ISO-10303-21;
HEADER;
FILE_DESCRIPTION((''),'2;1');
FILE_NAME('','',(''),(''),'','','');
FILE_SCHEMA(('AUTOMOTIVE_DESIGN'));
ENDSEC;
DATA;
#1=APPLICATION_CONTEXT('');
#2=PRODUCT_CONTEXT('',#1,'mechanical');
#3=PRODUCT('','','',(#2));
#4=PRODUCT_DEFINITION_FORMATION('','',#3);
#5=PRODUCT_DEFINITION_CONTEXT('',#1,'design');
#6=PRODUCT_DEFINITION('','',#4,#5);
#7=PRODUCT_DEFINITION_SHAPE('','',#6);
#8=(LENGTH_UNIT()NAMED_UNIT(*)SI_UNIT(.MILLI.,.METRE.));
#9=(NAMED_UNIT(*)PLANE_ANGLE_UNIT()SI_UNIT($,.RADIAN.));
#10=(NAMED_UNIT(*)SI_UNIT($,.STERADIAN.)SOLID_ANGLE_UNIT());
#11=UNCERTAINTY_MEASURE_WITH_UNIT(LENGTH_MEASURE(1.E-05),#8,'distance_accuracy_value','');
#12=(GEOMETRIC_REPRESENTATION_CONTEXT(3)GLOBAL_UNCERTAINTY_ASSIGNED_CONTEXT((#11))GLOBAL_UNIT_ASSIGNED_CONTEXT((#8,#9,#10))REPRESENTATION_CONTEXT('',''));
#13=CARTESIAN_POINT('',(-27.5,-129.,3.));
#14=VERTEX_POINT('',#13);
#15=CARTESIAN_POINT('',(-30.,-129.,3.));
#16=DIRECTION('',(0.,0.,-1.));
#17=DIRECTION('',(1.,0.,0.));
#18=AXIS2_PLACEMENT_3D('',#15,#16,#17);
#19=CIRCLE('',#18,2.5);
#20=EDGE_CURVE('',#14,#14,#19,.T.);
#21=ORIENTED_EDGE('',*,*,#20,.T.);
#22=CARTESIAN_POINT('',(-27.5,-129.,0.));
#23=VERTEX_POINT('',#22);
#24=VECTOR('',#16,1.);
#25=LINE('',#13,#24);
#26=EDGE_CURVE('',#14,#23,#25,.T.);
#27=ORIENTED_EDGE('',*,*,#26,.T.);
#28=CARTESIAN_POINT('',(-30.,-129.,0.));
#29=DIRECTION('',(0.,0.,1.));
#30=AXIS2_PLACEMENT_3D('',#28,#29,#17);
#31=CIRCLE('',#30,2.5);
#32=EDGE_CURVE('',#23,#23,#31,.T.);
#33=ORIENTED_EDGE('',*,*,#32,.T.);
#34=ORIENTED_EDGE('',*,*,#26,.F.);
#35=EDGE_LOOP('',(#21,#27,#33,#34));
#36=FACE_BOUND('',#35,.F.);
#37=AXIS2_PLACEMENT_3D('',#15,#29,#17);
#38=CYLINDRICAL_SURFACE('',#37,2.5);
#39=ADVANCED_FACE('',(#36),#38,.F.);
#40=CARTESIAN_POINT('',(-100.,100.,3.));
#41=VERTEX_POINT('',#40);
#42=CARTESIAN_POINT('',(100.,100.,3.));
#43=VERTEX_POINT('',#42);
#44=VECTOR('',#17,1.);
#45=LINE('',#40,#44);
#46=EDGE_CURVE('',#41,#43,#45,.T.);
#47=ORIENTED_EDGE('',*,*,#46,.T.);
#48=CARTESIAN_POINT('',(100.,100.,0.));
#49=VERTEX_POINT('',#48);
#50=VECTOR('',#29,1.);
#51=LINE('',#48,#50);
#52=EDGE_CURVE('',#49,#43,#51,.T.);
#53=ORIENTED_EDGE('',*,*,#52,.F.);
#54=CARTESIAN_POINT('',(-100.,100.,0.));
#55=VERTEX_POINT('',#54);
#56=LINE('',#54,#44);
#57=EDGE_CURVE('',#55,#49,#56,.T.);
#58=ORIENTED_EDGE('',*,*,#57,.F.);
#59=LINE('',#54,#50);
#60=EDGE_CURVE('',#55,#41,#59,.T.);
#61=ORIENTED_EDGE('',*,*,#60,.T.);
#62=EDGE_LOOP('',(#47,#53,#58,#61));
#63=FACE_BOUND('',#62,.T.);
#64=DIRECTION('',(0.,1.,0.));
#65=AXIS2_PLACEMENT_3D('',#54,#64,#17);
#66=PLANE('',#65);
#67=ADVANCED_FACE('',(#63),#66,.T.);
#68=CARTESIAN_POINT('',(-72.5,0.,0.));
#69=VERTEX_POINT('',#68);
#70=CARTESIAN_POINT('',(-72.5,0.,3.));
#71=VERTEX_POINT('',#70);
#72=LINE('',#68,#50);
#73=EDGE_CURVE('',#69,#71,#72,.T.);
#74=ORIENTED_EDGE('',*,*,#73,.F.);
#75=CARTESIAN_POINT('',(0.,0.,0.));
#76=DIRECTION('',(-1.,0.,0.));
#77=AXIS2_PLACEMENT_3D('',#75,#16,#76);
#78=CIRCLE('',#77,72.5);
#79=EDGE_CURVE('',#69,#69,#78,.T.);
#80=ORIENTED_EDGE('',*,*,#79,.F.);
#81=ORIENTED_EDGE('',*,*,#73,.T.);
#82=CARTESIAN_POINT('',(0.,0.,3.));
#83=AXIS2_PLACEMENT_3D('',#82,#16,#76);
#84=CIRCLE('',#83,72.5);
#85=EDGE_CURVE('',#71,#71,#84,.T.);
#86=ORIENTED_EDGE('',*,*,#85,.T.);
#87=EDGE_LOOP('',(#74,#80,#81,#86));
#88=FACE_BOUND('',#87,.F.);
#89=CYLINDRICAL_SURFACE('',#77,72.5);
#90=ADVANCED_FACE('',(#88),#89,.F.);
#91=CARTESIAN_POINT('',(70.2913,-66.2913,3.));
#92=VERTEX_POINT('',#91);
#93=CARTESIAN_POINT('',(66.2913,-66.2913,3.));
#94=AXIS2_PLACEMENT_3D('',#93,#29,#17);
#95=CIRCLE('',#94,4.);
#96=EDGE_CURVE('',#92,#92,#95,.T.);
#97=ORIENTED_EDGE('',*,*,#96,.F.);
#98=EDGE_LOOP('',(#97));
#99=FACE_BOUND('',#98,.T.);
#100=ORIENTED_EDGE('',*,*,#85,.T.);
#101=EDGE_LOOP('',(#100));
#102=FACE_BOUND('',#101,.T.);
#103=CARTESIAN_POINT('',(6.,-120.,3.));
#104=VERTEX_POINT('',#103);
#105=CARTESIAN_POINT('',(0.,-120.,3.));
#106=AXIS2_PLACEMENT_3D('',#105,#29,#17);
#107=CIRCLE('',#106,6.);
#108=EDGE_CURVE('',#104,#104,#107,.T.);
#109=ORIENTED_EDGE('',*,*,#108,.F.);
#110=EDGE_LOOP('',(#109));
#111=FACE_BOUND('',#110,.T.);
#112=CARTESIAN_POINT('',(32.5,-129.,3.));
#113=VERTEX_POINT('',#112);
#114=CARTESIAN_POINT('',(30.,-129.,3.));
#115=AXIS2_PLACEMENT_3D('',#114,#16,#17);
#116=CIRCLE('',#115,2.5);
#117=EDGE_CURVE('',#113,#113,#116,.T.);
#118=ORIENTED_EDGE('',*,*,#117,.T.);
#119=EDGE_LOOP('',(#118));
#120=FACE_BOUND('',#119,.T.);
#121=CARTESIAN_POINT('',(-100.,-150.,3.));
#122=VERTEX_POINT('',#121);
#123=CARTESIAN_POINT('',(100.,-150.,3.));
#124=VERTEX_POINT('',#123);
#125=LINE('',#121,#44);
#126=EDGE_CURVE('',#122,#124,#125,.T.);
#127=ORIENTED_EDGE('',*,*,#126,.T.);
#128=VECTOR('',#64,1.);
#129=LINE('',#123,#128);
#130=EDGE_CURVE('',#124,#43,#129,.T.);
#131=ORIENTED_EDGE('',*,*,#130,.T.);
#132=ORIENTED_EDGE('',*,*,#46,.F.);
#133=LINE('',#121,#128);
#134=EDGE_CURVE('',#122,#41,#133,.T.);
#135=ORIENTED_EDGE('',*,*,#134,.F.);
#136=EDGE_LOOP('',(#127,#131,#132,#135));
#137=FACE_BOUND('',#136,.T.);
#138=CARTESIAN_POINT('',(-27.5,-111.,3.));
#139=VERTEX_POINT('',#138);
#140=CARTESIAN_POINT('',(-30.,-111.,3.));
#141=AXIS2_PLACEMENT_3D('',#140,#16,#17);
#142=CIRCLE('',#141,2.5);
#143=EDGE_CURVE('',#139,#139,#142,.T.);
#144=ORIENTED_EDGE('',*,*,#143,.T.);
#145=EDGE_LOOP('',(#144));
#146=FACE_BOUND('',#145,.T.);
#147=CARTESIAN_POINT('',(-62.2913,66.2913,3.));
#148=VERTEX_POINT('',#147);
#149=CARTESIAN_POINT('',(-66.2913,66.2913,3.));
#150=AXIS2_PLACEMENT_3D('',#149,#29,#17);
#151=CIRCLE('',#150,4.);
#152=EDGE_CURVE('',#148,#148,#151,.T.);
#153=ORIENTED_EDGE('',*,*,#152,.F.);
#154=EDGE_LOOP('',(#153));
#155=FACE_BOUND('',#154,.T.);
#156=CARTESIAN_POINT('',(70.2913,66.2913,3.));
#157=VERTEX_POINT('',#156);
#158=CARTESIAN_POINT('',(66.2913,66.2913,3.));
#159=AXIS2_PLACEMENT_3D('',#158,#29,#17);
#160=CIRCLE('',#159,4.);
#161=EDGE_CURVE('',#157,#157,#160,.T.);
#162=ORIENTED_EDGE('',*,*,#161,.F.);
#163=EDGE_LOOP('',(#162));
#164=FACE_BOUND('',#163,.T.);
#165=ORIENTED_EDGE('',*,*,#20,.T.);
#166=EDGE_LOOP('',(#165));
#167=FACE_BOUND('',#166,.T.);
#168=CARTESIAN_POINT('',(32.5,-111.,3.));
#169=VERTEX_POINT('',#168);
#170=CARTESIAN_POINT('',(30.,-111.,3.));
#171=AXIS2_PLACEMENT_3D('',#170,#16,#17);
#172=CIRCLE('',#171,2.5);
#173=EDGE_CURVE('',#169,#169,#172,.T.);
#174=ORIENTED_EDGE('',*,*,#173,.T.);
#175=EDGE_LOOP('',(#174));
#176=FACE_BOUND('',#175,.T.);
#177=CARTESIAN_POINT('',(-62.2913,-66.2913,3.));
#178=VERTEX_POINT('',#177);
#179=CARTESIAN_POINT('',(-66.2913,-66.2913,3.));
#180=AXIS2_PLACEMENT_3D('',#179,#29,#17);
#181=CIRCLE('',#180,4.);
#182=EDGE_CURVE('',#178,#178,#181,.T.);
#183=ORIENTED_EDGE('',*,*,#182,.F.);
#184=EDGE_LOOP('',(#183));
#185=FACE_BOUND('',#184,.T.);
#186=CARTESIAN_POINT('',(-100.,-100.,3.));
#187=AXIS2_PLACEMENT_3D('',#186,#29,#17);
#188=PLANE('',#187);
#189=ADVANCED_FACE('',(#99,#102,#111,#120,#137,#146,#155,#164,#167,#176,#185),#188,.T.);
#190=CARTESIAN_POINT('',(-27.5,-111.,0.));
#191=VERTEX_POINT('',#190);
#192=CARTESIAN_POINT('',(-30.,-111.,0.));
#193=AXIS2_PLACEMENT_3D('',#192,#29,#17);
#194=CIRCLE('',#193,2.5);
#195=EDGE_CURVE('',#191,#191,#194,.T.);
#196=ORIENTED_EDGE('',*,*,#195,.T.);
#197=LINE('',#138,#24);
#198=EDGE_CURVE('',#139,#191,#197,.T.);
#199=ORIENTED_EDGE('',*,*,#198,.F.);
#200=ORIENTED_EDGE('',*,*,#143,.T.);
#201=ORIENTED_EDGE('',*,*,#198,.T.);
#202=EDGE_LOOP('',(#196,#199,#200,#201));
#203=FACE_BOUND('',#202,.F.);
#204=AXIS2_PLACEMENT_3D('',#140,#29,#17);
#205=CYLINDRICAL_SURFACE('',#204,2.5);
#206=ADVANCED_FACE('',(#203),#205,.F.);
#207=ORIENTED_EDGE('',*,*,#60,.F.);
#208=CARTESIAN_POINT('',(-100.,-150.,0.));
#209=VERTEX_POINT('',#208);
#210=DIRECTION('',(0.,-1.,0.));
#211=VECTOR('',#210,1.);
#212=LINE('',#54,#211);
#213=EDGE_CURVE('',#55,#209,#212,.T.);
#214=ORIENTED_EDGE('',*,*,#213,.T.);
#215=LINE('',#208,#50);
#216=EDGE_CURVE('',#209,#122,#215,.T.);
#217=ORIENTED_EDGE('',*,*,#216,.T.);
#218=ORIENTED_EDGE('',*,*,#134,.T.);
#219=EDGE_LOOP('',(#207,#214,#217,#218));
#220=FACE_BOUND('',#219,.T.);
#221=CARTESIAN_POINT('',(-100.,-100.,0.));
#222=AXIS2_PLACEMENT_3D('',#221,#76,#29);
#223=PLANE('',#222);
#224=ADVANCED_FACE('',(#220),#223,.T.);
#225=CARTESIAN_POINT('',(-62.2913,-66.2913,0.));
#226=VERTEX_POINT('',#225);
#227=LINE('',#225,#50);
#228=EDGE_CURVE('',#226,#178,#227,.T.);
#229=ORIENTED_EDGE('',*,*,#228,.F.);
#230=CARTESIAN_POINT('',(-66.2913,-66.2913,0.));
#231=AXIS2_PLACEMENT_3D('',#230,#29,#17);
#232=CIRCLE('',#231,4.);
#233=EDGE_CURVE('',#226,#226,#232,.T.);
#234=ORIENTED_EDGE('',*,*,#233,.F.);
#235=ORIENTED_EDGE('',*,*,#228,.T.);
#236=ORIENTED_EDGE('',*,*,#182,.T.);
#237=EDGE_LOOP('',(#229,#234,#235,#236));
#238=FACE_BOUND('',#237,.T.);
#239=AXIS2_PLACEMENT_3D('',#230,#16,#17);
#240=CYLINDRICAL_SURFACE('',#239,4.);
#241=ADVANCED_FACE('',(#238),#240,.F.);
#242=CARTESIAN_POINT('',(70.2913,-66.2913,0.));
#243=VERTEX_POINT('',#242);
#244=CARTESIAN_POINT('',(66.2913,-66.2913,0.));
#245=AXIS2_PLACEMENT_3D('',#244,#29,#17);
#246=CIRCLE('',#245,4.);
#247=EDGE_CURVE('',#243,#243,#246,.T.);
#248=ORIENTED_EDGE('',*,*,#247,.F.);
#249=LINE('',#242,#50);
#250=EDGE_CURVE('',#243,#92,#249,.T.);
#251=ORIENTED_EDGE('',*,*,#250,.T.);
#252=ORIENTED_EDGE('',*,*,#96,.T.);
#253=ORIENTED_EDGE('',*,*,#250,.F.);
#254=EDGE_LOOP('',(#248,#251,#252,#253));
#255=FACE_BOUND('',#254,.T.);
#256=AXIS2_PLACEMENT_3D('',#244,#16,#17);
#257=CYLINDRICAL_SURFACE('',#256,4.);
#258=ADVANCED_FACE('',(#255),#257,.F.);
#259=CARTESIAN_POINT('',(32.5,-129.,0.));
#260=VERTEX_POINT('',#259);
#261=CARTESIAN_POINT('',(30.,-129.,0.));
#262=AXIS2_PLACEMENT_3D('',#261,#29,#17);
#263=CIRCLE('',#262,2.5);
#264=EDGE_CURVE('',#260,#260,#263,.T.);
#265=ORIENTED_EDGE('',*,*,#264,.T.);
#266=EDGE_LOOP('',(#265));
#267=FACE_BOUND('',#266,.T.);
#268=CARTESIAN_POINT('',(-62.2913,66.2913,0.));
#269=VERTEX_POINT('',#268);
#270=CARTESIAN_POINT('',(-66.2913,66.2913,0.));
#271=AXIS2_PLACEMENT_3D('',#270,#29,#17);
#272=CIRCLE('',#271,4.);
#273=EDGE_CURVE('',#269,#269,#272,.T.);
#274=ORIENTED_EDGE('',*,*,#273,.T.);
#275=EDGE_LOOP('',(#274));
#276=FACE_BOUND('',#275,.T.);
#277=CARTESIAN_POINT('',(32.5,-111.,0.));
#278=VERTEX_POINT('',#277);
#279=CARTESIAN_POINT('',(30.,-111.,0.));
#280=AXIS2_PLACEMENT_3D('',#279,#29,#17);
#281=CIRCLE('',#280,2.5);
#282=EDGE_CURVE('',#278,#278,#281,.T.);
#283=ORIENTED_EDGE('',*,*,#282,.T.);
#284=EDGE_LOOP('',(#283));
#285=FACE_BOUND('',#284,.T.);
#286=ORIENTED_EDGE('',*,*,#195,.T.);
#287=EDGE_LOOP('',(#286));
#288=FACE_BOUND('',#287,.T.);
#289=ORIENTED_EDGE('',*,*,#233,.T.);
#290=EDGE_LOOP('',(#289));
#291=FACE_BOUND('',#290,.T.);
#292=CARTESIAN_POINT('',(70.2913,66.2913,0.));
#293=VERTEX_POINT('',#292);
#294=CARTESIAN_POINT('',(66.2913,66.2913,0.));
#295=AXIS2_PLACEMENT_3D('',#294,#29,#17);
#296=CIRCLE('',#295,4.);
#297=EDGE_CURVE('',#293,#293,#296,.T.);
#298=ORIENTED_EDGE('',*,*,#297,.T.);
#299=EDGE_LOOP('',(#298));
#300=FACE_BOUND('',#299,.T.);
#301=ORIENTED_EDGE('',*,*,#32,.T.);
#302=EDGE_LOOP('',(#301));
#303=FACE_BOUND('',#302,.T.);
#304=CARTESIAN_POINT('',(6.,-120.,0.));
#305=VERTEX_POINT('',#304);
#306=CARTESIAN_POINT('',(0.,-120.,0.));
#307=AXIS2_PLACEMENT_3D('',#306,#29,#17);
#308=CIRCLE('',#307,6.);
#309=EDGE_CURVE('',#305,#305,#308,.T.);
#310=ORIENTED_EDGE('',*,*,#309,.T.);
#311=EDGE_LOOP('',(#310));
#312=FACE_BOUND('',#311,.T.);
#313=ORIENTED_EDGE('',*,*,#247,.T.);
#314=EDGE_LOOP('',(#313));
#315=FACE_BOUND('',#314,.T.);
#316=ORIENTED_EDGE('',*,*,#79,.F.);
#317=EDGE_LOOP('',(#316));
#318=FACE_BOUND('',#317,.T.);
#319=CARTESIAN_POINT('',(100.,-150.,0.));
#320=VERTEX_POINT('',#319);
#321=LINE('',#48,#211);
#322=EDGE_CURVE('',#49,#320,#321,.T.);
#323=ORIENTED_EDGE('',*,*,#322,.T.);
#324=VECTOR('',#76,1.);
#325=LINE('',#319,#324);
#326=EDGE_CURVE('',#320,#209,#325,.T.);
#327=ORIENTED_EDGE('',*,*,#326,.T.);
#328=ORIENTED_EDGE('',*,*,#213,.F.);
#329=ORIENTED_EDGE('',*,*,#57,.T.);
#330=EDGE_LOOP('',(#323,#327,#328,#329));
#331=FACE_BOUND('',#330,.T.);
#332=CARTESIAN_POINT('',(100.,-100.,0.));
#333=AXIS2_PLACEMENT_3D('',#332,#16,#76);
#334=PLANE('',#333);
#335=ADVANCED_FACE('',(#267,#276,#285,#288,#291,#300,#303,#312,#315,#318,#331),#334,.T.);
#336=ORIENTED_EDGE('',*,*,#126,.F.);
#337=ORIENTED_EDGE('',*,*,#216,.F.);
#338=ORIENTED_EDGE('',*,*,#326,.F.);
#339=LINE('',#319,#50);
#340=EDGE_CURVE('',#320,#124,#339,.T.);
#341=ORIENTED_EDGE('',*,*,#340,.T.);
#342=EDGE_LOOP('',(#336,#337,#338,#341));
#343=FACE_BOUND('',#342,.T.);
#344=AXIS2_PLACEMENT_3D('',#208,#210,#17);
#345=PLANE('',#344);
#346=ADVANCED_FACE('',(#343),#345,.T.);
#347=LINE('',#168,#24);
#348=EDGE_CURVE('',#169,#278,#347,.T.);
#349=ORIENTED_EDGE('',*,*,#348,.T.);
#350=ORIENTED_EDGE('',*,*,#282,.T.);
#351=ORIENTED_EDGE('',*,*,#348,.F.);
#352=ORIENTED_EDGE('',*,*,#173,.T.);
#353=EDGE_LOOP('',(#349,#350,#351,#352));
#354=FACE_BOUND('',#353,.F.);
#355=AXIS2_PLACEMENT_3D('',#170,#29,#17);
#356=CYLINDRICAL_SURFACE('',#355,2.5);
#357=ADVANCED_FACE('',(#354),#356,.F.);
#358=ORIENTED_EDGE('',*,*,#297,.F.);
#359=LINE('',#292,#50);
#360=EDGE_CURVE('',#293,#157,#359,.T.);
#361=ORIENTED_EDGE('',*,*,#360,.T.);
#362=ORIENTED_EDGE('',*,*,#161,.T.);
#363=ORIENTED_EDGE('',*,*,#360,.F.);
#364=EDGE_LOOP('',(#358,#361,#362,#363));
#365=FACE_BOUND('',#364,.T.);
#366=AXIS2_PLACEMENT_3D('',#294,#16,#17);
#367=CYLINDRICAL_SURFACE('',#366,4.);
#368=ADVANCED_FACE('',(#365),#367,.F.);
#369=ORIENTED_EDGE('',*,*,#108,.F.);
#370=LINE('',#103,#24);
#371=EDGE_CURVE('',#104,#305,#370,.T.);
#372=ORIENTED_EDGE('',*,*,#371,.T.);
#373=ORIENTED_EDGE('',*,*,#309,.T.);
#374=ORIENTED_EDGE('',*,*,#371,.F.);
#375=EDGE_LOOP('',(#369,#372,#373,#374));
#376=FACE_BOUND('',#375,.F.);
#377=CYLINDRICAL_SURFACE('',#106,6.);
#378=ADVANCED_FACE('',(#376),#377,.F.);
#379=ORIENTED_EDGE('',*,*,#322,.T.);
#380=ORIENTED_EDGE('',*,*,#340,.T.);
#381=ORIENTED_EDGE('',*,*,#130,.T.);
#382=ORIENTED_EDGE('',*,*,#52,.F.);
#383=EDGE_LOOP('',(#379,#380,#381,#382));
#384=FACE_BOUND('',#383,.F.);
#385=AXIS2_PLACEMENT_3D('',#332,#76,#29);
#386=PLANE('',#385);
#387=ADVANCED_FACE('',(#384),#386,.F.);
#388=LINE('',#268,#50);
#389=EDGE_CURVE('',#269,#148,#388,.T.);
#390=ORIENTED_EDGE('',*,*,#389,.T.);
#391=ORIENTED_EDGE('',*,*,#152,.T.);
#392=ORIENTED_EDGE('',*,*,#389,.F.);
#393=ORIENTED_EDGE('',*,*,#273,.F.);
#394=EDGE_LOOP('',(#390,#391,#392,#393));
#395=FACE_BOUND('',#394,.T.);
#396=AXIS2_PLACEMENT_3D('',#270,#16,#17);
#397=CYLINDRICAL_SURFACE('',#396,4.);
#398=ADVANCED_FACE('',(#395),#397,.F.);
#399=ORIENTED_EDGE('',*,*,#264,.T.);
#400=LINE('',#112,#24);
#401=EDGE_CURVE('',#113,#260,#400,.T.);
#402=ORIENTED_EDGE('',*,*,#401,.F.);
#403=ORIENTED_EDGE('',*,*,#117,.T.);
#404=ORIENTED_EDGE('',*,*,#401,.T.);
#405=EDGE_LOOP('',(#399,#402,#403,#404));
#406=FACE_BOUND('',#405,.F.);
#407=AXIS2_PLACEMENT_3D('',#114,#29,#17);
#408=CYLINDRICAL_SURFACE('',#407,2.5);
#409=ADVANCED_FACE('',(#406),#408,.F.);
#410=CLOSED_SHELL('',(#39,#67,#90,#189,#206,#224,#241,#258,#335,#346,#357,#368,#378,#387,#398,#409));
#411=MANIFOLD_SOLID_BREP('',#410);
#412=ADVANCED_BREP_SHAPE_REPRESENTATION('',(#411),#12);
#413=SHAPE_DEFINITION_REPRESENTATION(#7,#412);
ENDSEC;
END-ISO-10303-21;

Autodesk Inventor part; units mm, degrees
ref_plane "YZ Plane" through (0, 0, 0) normal (1, 0, 0) x (0, 1, 0)
ref_plane "XZ Plane" through (0, 0, 0) normal (0, 1, 0) x (-1, 0, 0)
ref_plane "XY Plane" through (0, 0, 0) normal (0, 0, 1) x (1, 0, 0)
sketch "スケッチ1" plane through (0, 0, 0) normal (0, 0, 1) x (1, 0, 0)
  line L0 (-100, 100) -> (100, 100)
  line L1 (100, 100) -> (100, -100)
  line L2 (100, -100) -> (-100, -100)
  line L3 (-100, -100) -> (-100, 100)
  line L4 (-100, 100) -> (100, -100) construction
  line L5 (100, 100) -> (-100, -100) construction
  circle A0 centre (0, 0) radius 93.75 construction
  circle A1 centre (-66.2913, 66.2913) radius 4
  circle A2 centre (66.2913, 66.2913) radius 4
  circle A3 centre (66.2913, -66.2913) radius 4
  circle A4 centre (-66.2913, -66.2913) radius 4
  dimension "d0" = 200
  dimension "d1" = 200
  dimension "d2" = 187.5
  dimension "d3" = 8
  dimension "d4" = 8
  dimension "d5" = 8
  dimension "d6" = 8
extrude "押し出し1" add sketch "スケッチ1" along normal blind 3
sketch "スケッチ2" plane through (0, 0, 0) normal (0, 0, -1) x (-1, 0, 0)
  circle A0 centre (0, 0) radius 72.5
  dimension "d9" = 145
extrude "押し出し2" cut sketch "スケッチ2" against normal blind 10
sketch "スケッチ3" plane through (0, 0, 3) normal (0, 0, 1) x (1, 0, 0)
  circle A0 centre (-66.2913, -66.2913) radius 4 projected
  circle A1 centre (66.2913, -66.2913) radius 4 projected
  point P0 (0, 0)
sketch "スケッチ4" plane through (-100, -100, 0) normal (0, -1, 0) x (1, 0, 0)
  line L0 (0, 0) -> (0, 3) projected
  line L1 (200, 0) -> (200, 3) projected
  line L2 (0, 3) -> (200, 3)
  line L3 (200, 3) -> (200, 0)
  line L4 (200, 0) -> (0, 0)
  line L5 (0, 0) -> (0, 3)
  point P0 (100, 0)
extrude "押し出し3" add sketch "スケッチ4" along normal blind 50
sketch "スケッチ5" plane through (0, 0, 3) normal (0, 0, 1) x (1, 0, 0)
  circle A0 centre (0, -120) radius 6
  point P0 (0, 0)
  dimension "d14" = 12
extrude "押し出し4" cut sketch "スケッチ5" against normal blind 100
sketch "スケッチ6" plane through (0, 0, 3) normal (0, 0, 1) x (1, 0, 0)
  circle A0 centre (0, -120) radius 6 projected
  line L0 (0, -120) -> (-30, -120)
  line L1 (-30, -120) -> (30, -120)
  line L2 (30, -120) -> (30, -111)
  line L3 (30, -111) -> (30, -129)
  line L4 (30, -129) -> (-30, -111)
  line L5 (-30, -111) -> (-30, -129)
  circle A1 centre (-30, -111) radius 2.5
  circle A2 centre (-30, -129) radius 2.5
  circle A3 centre (30, -111) radius 2.5
  circle A4 centre (30, -129) radius 2.5
  point P0 (0, 0)
  dimension "d17" = 30
  dimension "d18" = 60
  dimension "d19" = 9
  dimension "d20" = 90
  dimension "d21" = 18
  dimension "d22" = 5
  dimension "d23" = 5
  dimension "d24" = 5
  dimension "d25" = 5
extrude "押し出し5" cut sketch "スケッチ6" against normal blind 100 contours A3 | A2 | A1 L5 L4 | L4 L5 A1 | A4 L3 L4 | L4 L3 A4
properties part number "ベアリング板" material "アルミニウム 6061"
